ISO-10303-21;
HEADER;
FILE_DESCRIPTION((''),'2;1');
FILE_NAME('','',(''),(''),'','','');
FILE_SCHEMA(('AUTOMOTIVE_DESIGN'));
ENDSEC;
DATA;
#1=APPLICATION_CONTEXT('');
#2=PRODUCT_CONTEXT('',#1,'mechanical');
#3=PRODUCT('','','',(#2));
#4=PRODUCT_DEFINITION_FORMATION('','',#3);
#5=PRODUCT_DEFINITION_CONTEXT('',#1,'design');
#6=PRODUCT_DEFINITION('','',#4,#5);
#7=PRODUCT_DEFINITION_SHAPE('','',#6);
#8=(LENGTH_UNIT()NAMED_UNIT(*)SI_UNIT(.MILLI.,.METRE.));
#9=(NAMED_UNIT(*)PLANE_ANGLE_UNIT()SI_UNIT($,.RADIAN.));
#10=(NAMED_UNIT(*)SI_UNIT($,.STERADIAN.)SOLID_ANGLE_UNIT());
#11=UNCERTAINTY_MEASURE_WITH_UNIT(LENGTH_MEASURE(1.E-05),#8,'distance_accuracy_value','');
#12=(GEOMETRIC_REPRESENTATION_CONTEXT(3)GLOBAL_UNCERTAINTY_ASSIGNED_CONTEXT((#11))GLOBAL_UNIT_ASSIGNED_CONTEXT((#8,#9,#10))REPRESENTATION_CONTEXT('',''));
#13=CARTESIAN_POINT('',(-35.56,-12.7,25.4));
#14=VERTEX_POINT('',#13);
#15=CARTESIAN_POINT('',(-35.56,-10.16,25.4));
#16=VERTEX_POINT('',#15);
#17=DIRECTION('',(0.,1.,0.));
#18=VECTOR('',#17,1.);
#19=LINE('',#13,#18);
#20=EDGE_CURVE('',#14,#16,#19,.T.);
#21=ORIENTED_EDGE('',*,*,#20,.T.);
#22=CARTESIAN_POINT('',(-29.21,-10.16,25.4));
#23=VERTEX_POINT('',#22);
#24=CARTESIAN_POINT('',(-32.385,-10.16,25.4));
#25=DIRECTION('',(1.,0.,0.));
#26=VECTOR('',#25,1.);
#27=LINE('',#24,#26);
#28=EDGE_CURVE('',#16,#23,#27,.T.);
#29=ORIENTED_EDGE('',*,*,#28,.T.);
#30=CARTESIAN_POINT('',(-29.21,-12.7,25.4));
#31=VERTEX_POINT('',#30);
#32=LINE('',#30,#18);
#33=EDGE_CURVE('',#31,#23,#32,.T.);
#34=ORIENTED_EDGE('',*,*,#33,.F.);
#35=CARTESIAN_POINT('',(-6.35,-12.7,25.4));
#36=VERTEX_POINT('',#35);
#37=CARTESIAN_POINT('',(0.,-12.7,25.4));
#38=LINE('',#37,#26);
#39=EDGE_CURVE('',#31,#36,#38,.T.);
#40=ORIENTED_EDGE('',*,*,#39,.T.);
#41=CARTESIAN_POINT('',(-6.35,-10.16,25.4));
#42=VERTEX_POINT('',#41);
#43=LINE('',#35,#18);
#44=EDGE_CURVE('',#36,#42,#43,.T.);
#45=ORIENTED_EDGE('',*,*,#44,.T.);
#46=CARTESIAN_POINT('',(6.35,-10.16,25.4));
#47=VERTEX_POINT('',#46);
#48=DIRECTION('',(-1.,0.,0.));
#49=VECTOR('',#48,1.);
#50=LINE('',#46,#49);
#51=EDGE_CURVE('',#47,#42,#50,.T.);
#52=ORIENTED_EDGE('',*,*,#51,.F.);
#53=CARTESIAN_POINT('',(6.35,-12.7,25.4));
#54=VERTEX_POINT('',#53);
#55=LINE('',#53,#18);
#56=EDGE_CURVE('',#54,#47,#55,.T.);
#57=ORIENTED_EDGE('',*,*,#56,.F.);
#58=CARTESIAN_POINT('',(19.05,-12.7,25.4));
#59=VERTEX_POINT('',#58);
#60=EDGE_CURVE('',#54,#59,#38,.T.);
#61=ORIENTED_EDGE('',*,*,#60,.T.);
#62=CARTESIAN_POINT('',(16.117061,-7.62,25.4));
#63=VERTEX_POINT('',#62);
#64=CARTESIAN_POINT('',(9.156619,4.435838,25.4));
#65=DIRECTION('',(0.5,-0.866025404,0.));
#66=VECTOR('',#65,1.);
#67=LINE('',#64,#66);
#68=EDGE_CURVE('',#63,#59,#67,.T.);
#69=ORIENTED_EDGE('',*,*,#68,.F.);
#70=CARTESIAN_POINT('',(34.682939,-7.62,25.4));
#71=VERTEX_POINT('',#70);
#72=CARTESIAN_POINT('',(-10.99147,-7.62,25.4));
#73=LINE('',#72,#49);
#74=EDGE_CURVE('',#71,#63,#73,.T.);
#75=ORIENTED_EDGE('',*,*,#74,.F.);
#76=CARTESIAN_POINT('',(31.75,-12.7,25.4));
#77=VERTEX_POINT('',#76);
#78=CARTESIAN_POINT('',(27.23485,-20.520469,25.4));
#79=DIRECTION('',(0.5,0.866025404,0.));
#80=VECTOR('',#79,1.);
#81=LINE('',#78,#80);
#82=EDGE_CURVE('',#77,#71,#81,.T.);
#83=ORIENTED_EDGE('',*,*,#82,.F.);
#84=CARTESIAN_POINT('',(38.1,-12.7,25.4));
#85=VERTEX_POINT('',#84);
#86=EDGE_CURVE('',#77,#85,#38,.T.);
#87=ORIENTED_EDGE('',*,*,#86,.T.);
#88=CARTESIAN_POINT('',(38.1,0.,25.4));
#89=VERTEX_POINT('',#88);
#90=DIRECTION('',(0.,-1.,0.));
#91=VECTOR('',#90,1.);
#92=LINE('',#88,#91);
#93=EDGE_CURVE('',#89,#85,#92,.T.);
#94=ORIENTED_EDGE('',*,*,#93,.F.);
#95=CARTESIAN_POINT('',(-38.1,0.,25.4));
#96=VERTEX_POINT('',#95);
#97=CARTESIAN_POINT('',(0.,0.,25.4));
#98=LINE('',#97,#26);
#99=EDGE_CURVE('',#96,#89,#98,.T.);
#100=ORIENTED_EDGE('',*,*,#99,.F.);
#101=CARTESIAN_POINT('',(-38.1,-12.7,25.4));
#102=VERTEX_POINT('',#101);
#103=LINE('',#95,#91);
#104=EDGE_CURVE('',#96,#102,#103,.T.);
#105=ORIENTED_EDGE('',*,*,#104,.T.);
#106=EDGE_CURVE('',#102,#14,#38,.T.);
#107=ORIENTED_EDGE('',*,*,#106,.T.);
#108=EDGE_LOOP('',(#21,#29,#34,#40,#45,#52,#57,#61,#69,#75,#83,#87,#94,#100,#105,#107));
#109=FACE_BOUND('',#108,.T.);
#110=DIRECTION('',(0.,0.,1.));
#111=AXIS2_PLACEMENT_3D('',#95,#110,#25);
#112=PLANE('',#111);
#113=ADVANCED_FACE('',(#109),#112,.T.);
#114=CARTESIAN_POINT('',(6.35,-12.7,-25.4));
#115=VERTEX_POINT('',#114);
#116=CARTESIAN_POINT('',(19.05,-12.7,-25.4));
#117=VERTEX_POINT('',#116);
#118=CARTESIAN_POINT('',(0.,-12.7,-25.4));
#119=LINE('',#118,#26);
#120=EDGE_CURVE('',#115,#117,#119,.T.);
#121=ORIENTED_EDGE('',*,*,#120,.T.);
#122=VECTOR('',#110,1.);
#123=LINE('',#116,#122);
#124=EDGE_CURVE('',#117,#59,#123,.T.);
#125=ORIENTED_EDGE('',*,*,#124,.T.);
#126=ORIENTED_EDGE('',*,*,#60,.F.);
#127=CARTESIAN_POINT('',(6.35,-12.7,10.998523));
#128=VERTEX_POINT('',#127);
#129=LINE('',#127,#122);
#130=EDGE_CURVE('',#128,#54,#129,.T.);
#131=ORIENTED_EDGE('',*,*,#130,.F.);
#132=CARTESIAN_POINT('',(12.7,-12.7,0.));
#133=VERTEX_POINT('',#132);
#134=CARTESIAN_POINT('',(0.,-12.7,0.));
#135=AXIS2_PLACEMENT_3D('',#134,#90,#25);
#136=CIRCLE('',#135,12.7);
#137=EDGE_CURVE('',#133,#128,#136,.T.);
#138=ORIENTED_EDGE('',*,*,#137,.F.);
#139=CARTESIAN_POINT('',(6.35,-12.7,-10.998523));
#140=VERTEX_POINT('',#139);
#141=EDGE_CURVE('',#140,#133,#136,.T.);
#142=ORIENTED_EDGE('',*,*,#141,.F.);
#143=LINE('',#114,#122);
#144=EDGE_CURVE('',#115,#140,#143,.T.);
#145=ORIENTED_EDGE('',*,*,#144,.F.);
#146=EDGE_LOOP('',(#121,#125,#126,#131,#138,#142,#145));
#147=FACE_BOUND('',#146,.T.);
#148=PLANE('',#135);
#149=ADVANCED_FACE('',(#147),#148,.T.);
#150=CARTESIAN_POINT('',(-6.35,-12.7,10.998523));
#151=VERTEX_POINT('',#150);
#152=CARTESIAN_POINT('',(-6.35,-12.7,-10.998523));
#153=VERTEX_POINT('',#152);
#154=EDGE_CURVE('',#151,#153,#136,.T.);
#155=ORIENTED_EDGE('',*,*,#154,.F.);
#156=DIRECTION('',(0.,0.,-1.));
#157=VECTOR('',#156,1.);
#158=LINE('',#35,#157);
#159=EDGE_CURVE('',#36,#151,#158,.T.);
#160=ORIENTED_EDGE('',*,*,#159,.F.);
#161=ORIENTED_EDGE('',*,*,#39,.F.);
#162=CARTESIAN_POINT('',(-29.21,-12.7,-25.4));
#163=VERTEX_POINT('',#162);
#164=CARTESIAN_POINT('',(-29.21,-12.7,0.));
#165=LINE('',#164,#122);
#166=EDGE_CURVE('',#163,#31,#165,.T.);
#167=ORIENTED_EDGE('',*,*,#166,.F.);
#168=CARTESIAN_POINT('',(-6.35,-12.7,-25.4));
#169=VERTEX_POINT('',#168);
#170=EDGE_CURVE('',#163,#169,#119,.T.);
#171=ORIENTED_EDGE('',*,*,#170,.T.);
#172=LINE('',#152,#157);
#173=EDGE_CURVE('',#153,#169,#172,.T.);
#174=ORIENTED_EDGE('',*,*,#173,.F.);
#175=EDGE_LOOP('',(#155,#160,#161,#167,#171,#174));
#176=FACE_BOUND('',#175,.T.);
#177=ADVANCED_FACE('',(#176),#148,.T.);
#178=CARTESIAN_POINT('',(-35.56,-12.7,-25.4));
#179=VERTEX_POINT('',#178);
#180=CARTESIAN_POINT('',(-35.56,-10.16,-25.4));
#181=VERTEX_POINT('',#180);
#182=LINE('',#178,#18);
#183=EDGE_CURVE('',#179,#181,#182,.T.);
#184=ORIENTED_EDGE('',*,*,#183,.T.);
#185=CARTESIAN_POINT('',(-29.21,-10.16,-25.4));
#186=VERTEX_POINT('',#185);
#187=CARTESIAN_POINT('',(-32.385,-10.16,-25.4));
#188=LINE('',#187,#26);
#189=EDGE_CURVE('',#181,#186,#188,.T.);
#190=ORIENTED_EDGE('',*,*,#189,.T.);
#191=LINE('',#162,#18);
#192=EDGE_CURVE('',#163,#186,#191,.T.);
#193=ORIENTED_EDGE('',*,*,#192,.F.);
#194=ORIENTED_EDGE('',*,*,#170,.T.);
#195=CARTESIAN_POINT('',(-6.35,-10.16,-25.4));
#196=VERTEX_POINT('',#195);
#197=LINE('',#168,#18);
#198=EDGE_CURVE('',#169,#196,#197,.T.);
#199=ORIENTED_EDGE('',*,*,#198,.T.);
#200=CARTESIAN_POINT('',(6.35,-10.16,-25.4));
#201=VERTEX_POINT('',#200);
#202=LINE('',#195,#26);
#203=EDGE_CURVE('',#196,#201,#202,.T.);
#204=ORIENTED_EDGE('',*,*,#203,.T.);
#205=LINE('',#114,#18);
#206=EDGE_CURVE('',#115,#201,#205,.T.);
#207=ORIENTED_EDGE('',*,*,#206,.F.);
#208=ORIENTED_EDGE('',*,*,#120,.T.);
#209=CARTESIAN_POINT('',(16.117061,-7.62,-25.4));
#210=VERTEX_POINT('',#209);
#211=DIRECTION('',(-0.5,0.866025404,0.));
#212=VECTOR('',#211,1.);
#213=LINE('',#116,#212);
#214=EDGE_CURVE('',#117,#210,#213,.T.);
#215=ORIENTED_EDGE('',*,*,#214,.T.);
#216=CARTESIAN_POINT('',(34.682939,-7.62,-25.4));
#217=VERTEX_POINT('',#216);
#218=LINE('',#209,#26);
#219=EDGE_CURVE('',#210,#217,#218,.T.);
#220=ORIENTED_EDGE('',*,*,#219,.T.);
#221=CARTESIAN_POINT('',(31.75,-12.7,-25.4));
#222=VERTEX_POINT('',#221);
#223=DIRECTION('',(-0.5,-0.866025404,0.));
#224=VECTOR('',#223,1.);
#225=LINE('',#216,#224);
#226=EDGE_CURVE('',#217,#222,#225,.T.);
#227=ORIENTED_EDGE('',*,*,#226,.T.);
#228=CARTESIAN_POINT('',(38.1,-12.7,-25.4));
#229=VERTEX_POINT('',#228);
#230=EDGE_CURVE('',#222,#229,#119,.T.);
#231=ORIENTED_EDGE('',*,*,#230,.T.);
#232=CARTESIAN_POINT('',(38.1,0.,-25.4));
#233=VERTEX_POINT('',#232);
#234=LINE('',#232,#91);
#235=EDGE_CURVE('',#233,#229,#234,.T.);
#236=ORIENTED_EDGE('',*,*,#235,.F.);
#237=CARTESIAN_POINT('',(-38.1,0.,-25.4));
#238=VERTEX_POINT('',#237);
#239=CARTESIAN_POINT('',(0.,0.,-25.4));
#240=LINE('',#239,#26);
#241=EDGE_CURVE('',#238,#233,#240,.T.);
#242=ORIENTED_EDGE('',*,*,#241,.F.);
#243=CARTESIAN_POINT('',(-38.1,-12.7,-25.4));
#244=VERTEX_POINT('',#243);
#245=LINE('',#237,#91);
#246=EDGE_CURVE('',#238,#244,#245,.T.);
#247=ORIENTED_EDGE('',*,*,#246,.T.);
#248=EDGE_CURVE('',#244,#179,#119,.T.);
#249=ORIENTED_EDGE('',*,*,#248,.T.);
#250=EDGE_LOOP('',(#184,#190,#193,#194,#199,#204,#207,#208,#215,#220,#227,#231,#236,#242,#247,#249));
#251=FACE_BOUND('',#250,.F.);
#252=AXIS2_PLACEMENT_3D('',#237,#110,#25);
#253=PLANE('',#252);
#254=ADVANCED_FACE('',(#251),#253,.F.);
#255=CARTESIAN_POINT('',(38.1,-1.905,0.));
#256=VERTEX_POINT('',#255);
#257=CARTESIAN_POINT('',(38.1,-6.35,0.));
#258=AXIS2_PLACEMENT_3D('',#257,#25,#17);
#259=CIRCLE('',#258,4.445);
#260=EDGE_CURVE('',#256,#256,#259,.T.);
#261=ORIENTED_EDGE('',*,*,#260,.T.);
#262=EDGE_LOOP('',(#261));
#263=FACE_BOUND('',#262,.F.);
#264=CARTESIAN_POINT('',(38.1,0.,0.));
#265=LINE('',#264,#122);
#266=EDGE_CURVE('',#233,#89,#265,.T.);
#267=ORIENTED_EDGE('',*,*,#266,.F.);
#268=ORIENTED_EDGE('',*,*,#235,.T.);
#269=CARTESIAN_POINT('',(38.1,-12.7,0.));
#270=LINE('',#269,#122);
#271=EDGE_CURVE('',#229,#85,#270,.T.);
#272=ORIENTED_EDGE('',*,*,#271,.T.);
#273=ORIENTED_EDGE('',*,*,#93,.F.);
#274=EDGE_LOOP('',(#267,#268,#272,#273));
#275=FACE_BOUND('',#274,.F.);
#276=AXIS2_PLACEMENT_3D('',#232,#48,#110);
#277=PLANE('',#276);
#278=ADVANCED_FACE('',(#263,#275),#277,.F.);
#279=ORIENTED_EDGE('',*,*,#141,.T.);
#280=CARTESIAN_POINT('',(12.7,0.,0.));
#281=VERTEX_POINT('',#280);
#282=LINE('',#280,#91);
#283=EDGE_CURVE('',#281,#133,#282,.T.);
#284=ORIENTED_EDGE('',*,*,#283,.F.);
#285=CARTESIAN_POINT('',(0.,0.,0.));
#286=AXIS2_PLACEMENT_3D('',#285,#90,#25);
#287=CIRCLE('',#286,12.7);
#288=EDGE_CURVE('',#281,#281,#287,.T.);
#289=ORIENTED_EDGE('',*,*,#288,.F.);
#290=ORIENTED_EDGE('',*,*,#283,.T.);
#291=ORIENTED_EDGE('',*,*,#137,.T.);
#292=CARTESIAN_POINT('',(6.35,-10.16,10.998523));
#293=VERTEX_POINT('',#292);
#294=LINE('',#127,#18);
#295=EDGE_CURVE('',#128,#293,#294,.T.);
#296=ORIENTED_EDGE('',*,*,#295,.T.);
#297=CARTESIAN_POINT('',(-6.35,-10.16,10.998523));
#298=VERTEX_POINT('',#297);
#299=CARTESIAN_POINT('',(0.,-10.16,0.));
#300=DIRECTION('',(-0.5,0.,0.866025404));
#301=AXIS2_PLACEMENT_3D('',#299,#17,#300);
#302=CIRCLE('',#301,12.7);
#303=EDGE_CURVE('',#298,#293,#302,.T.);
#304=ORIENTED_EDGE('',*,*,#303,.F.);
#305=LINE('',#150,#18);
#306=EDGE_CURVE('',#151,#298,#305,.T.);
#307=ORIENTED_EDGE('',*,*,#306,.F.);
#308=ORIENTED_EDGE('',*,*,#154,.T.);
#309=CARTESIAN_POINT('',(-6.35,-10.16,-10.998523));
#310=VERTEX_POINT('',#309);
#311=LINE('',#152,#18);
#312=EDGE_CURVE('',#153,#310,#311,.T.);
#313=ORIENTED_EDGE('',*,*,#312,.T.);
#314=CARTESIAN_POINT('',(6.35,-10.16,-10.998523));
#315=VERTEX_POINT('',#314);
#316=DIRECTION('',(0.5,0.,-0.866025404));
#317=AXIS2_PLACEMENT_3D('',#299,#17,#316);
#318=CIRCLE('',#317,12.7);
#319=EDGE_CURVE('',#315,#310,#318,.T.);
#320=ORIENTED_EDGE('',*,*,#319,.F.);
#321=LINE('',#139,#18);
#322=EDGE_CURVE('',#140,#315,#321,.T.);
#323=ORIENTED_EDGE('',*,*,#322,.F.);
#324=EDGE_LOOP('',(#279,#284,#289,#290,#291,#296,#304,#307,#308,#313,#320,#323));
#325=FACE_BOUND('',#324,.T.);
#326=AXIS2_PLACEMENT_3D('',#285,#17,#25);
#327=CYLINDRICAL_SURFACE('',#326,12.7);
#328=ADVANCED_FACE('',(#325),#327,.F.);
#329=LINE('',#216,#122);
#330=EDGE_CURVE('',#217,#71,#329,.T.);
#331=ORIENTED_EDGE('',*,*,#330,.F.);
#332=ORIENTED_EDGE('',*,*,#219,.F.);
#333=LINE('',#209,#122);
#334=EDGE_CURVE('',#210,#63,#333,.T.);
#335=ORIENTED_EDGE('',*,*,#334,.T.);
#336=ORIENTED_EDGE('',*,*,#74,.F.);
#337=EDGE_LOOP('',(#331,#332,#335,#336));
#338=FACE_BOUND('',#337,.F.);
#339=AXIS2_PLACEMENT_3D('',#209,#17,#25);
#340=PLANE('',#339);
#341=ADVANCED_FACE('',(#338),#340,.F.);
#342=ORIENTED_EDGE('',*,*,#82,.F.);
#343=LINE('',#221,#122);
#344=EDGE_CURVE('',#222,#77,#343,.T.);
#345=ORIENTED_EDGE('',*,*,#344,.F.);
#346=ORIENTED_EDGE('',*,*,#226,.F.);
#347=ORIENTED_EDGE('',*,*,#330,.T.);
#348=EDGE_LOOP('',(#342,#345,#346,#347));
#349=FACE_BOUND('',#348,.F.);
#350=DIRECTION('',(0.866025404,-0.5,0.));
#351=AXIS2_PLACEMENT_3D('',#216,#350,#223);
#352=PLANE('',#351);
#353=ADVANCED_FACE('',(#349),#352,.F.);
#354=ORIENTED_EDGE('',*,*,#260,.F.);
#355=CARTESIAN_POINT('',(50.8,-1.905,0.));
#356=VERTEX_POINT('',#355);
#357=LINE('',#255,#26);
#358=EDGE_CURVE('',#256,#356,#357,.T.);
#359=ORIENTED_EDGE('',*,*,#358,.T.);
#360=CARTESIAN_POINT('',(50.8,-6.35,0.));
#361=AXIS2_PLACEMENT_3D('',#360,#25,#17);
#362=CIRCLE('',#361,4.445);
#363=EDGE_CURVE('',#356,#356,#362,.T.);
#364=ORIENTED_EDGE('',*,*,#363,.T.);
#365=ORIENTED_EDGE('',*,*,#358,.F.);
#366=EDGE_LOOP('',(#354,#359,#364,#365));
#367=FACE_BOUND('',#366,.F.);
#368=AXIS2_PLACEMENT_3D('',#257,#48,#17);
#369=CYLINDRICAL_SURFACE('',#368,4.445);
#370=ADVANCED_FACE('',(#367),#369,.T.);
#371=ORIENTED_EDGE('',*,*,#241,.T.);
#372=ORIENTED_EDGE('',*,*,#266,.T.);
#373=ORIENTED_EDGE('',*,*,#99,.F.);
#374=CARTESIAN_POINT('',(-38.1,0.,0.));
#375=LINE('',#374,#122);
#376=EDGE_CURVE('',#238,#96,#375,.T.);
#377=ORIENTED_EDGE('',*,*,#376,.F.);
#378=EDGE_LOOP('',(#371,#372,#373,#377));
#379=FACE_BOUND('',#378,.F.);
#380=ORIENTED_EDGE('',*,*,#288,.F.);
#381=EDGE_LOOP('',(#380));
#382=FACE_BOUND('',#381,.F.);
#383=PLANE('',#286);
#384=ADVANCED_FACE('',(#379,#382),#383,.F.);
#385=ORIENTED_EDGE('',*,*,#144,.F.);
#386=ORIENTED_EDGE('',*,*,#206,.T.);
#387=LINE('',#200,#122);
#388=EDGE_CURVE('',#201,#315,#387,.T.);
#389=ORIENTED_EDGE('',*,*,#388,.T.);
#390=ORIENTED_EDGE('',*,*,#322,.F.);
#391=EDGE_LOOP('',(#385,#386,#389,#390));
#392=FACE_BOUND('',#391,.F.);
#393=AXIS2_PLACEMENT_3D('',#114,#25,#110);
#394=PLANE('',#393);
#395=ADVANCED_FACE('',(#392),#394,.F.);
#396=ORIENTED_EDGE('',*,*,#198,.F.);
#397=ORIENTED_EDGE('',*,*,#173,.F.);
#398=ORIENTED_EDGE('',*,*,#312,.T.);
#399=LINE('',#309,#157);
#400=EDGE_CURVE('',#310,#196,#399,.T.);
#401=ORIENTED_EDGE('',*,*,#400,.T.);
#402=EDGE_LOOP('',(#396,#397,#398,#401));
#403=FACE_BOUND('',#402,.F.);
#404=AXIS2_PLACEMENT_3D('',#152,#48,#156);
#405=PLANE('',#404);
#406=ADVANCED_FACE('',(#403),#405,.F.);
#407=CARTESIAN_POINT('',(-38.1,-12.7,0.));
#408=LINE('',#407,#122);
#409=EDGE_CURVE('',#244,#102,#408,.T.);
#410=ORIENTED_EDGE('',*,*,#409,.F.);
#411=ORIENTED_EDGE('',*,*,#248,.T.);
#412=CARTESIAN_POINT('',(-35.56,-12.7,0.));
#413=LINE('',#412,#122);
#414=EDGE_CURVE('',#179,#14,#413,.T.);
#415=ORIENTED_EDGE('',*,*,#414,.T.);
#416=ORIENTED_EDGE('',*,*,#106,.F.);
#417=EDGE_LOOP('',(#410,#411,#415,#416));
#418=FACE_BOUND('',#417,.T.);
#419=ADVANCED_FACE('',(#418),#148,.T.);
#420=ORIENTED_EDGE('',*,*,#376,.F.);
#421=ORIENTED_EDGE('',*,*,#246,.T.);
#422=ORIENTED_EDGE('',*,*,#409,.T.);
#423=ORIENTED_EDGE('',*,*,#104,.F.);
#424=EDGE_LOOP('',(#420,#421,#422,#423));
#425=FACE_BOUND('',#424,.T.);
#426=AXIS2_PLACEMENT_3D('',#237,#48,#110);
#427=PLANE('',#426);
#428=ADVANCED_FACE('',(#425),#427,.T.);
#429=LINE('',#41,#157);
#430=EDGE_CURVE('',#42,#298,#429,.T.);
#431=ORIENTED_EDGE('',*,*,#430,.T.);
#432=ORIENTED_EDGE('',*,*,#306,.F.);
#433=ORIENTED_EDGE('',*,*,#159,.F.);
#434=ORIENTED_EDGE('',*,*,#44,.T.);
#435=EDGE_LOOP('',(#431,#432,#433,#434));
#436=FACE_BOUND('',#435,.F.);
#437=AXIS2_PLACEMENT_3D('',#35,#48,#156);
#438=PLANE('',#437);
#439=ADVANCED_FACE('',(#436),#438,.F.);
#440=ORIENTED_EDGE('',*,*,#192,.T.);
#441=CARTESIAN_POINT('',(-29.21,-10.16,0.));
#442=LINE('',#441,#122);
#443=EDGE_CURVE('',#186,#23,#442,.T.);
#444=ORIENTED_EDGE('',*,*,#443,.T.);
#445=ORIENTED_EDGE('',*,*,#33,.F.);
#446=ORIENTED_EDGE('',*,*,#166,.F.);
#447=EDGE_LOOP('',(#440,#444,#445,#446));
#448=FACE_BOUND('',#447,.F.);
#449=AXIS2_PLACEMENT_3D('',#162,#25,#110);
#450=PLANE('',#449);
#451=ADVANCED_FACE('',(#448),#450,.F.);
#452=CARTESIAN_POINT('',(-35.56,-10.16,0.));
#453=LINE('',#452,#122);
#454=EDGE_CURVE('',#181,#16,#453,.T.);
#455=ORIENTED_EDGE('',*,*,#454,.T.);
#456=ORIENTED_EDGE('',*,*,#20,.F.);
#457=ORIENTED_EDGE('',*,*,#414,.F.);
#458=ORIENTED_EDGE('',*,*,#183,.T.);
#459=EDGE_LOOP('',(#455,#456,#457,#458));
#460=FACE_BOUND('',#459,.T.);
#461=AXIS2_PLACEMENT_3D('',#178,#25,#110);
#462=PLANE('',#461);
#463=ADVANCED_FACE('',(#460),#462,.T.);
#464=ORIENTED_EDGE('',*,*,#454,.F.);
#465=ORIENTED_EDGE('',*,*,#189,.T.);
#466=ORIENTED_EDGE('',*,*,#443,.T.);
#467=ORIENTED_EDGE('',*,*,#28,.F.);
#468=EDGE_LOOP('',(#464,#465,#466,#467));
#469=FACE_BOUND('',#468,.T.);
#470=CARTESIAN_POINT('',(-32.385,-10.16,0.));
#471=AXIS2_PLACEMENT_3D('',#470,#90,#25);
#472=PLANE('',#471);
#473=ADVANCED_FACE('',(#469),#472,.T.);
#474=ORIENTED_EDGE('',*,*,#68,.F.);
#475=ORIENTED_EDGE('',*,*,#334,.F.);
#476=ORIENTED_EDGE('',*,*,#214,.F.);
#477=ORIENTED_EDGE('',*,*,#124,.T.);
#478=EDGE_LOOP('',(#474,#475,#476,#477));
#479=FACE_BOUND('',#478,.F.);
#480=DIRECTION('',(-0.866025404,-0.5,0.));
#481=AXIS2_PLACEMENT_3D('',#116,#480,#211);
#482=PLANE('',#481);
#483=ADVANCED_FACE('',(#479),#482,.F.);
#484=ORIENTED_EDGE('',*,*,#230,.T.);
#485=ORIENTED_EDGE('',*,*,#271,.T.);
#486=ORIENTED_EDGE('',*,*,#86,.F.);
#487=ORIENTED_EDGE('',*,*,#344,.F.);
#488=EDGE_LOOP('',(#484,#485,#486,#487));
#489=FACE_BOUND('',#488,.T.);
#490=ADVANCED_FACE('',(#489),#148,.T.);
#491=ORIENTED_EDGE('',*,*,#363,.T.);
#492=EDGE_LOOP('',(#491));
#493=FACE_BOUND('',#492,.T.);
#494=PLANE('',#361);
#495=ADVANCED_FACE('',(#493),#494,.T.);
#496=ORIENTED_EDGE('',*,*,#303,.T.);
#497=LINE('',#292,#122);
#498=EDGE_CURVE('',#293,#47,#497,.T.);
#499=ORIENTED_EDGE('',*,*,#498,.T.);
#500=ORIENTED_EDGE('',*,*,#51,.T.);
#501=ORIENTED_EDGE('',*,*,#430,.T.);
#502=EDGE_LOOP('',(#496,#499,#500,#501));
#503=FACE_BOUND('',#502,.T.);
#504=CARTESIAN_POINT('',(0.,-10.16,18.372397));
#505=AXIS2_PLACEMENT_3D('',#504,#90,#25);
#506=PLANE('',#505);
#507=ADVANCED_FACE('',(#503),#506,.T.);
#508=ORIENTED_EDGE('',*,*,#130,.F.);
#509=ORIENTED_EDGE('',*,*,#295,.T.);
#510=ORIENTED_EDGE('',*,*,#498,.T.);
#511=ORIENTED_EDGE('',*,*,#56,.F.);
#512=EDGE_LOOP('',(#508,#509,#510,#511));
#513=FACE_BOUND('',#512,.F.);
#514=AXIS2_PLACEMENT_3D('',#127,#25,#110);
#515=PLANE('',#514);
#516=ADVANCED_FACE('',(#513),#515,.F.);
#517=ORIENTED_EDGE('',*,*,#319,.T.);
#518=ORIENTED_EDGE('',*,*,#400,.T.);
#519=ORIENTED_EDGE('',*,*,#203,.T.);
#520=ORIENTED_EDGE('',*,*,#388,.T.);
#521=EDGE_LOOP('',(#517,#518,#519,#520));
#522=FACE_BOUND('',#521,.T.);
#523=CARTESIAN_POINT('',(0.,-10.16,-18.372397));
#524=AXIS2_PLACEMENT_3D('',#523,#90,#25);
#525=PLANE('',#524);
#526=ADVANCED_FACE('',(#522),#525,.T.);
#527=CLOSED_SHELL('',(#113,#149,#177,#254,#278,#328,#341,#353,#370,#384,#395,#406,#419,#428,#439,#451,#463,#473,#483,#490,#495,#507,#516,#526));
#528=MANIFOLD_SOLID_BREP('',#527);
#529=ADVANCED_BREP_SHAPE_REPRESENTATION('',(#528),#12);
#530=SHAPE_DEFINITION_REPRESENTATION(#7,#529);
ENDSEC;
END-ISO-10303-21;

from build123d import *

# Parameters (mm, degrees)
F0_W     = 76.2
F0_H     = 50.8
F0_R     = 12.7
F1_DEPTH = 12.7
F2_W     = 6.35
F2_H     = 50.8
F3_DEPTH = 2.54
F5_DEPTH = 50.801
F6_R     = 4.445
F7_DEPTH = 12.7


with BuildPart() as f1:
    # F0 (on Front) → F1 (new body)
    with BuildSketch(Plane.XZ):
        Rectangle(F0_W, F0_H)
        Circle(F0_R, mode=Mode.SUBTRACT)
    extrude(amount=F1_DEPTH)

    # F2 (on face) → F3 (cut)
    with BuildSketch(Plane.XZ.offset(12.7)):
        with Locations((-32.385, 0)):
            Rectangle(F2_W, F2_H)
        with BuildLine():
            Line((6.35, 25.4), (-6.35, 25.4))
            Line((-6.35, 25.4), (-6.35, 10.9985226281))
            ThreePointArc((-6.35, 10.9985226281), (0, 12.7), (6.35, 10.9985226281))
            Line((6.35, 10.9985226281), (6.35, 25.4))
        make_face()
        with BuildLine():
            Line((-6.35, -10.9985226281), (-6.35, -25.4))
            Line((-6.35, -25.4), (6.35, -25.4))
            Line((6.35, -25.4), (6.35, -10.9985226281))
            ThreePointArc((6.35, -10.9985226281), (0, -12.7), (-6.35, -10.9985226281))
        make_face()
    extrude(amount=-F3_DEPTH, mode=Mode.SUBTRACT)

    # F4 (on face) → F5 (cut, through all)
    with BuildSketch(Plane(origin=(0, 0, -25.4), x_dir=(1, 0, 0), z_dir=(0, 0, -1))):
        Polygon((31.75, 12.7), (19.05, 12.7), (16.1170606325, 7.62), (34.6829393675, 7.62), align=None)
    extrude(amount=-F5_DEPTH, mode=Mode.SUBTRACT)

    # F6 (on face) → F7 (join)
    with BuildSketch(Plane.YZ.offset(38.1)):
        with Locations((-6.35, 0)):
            Circle(F6_R)
    extrude(amount=F7_DEPTH)


solid = f1.part
